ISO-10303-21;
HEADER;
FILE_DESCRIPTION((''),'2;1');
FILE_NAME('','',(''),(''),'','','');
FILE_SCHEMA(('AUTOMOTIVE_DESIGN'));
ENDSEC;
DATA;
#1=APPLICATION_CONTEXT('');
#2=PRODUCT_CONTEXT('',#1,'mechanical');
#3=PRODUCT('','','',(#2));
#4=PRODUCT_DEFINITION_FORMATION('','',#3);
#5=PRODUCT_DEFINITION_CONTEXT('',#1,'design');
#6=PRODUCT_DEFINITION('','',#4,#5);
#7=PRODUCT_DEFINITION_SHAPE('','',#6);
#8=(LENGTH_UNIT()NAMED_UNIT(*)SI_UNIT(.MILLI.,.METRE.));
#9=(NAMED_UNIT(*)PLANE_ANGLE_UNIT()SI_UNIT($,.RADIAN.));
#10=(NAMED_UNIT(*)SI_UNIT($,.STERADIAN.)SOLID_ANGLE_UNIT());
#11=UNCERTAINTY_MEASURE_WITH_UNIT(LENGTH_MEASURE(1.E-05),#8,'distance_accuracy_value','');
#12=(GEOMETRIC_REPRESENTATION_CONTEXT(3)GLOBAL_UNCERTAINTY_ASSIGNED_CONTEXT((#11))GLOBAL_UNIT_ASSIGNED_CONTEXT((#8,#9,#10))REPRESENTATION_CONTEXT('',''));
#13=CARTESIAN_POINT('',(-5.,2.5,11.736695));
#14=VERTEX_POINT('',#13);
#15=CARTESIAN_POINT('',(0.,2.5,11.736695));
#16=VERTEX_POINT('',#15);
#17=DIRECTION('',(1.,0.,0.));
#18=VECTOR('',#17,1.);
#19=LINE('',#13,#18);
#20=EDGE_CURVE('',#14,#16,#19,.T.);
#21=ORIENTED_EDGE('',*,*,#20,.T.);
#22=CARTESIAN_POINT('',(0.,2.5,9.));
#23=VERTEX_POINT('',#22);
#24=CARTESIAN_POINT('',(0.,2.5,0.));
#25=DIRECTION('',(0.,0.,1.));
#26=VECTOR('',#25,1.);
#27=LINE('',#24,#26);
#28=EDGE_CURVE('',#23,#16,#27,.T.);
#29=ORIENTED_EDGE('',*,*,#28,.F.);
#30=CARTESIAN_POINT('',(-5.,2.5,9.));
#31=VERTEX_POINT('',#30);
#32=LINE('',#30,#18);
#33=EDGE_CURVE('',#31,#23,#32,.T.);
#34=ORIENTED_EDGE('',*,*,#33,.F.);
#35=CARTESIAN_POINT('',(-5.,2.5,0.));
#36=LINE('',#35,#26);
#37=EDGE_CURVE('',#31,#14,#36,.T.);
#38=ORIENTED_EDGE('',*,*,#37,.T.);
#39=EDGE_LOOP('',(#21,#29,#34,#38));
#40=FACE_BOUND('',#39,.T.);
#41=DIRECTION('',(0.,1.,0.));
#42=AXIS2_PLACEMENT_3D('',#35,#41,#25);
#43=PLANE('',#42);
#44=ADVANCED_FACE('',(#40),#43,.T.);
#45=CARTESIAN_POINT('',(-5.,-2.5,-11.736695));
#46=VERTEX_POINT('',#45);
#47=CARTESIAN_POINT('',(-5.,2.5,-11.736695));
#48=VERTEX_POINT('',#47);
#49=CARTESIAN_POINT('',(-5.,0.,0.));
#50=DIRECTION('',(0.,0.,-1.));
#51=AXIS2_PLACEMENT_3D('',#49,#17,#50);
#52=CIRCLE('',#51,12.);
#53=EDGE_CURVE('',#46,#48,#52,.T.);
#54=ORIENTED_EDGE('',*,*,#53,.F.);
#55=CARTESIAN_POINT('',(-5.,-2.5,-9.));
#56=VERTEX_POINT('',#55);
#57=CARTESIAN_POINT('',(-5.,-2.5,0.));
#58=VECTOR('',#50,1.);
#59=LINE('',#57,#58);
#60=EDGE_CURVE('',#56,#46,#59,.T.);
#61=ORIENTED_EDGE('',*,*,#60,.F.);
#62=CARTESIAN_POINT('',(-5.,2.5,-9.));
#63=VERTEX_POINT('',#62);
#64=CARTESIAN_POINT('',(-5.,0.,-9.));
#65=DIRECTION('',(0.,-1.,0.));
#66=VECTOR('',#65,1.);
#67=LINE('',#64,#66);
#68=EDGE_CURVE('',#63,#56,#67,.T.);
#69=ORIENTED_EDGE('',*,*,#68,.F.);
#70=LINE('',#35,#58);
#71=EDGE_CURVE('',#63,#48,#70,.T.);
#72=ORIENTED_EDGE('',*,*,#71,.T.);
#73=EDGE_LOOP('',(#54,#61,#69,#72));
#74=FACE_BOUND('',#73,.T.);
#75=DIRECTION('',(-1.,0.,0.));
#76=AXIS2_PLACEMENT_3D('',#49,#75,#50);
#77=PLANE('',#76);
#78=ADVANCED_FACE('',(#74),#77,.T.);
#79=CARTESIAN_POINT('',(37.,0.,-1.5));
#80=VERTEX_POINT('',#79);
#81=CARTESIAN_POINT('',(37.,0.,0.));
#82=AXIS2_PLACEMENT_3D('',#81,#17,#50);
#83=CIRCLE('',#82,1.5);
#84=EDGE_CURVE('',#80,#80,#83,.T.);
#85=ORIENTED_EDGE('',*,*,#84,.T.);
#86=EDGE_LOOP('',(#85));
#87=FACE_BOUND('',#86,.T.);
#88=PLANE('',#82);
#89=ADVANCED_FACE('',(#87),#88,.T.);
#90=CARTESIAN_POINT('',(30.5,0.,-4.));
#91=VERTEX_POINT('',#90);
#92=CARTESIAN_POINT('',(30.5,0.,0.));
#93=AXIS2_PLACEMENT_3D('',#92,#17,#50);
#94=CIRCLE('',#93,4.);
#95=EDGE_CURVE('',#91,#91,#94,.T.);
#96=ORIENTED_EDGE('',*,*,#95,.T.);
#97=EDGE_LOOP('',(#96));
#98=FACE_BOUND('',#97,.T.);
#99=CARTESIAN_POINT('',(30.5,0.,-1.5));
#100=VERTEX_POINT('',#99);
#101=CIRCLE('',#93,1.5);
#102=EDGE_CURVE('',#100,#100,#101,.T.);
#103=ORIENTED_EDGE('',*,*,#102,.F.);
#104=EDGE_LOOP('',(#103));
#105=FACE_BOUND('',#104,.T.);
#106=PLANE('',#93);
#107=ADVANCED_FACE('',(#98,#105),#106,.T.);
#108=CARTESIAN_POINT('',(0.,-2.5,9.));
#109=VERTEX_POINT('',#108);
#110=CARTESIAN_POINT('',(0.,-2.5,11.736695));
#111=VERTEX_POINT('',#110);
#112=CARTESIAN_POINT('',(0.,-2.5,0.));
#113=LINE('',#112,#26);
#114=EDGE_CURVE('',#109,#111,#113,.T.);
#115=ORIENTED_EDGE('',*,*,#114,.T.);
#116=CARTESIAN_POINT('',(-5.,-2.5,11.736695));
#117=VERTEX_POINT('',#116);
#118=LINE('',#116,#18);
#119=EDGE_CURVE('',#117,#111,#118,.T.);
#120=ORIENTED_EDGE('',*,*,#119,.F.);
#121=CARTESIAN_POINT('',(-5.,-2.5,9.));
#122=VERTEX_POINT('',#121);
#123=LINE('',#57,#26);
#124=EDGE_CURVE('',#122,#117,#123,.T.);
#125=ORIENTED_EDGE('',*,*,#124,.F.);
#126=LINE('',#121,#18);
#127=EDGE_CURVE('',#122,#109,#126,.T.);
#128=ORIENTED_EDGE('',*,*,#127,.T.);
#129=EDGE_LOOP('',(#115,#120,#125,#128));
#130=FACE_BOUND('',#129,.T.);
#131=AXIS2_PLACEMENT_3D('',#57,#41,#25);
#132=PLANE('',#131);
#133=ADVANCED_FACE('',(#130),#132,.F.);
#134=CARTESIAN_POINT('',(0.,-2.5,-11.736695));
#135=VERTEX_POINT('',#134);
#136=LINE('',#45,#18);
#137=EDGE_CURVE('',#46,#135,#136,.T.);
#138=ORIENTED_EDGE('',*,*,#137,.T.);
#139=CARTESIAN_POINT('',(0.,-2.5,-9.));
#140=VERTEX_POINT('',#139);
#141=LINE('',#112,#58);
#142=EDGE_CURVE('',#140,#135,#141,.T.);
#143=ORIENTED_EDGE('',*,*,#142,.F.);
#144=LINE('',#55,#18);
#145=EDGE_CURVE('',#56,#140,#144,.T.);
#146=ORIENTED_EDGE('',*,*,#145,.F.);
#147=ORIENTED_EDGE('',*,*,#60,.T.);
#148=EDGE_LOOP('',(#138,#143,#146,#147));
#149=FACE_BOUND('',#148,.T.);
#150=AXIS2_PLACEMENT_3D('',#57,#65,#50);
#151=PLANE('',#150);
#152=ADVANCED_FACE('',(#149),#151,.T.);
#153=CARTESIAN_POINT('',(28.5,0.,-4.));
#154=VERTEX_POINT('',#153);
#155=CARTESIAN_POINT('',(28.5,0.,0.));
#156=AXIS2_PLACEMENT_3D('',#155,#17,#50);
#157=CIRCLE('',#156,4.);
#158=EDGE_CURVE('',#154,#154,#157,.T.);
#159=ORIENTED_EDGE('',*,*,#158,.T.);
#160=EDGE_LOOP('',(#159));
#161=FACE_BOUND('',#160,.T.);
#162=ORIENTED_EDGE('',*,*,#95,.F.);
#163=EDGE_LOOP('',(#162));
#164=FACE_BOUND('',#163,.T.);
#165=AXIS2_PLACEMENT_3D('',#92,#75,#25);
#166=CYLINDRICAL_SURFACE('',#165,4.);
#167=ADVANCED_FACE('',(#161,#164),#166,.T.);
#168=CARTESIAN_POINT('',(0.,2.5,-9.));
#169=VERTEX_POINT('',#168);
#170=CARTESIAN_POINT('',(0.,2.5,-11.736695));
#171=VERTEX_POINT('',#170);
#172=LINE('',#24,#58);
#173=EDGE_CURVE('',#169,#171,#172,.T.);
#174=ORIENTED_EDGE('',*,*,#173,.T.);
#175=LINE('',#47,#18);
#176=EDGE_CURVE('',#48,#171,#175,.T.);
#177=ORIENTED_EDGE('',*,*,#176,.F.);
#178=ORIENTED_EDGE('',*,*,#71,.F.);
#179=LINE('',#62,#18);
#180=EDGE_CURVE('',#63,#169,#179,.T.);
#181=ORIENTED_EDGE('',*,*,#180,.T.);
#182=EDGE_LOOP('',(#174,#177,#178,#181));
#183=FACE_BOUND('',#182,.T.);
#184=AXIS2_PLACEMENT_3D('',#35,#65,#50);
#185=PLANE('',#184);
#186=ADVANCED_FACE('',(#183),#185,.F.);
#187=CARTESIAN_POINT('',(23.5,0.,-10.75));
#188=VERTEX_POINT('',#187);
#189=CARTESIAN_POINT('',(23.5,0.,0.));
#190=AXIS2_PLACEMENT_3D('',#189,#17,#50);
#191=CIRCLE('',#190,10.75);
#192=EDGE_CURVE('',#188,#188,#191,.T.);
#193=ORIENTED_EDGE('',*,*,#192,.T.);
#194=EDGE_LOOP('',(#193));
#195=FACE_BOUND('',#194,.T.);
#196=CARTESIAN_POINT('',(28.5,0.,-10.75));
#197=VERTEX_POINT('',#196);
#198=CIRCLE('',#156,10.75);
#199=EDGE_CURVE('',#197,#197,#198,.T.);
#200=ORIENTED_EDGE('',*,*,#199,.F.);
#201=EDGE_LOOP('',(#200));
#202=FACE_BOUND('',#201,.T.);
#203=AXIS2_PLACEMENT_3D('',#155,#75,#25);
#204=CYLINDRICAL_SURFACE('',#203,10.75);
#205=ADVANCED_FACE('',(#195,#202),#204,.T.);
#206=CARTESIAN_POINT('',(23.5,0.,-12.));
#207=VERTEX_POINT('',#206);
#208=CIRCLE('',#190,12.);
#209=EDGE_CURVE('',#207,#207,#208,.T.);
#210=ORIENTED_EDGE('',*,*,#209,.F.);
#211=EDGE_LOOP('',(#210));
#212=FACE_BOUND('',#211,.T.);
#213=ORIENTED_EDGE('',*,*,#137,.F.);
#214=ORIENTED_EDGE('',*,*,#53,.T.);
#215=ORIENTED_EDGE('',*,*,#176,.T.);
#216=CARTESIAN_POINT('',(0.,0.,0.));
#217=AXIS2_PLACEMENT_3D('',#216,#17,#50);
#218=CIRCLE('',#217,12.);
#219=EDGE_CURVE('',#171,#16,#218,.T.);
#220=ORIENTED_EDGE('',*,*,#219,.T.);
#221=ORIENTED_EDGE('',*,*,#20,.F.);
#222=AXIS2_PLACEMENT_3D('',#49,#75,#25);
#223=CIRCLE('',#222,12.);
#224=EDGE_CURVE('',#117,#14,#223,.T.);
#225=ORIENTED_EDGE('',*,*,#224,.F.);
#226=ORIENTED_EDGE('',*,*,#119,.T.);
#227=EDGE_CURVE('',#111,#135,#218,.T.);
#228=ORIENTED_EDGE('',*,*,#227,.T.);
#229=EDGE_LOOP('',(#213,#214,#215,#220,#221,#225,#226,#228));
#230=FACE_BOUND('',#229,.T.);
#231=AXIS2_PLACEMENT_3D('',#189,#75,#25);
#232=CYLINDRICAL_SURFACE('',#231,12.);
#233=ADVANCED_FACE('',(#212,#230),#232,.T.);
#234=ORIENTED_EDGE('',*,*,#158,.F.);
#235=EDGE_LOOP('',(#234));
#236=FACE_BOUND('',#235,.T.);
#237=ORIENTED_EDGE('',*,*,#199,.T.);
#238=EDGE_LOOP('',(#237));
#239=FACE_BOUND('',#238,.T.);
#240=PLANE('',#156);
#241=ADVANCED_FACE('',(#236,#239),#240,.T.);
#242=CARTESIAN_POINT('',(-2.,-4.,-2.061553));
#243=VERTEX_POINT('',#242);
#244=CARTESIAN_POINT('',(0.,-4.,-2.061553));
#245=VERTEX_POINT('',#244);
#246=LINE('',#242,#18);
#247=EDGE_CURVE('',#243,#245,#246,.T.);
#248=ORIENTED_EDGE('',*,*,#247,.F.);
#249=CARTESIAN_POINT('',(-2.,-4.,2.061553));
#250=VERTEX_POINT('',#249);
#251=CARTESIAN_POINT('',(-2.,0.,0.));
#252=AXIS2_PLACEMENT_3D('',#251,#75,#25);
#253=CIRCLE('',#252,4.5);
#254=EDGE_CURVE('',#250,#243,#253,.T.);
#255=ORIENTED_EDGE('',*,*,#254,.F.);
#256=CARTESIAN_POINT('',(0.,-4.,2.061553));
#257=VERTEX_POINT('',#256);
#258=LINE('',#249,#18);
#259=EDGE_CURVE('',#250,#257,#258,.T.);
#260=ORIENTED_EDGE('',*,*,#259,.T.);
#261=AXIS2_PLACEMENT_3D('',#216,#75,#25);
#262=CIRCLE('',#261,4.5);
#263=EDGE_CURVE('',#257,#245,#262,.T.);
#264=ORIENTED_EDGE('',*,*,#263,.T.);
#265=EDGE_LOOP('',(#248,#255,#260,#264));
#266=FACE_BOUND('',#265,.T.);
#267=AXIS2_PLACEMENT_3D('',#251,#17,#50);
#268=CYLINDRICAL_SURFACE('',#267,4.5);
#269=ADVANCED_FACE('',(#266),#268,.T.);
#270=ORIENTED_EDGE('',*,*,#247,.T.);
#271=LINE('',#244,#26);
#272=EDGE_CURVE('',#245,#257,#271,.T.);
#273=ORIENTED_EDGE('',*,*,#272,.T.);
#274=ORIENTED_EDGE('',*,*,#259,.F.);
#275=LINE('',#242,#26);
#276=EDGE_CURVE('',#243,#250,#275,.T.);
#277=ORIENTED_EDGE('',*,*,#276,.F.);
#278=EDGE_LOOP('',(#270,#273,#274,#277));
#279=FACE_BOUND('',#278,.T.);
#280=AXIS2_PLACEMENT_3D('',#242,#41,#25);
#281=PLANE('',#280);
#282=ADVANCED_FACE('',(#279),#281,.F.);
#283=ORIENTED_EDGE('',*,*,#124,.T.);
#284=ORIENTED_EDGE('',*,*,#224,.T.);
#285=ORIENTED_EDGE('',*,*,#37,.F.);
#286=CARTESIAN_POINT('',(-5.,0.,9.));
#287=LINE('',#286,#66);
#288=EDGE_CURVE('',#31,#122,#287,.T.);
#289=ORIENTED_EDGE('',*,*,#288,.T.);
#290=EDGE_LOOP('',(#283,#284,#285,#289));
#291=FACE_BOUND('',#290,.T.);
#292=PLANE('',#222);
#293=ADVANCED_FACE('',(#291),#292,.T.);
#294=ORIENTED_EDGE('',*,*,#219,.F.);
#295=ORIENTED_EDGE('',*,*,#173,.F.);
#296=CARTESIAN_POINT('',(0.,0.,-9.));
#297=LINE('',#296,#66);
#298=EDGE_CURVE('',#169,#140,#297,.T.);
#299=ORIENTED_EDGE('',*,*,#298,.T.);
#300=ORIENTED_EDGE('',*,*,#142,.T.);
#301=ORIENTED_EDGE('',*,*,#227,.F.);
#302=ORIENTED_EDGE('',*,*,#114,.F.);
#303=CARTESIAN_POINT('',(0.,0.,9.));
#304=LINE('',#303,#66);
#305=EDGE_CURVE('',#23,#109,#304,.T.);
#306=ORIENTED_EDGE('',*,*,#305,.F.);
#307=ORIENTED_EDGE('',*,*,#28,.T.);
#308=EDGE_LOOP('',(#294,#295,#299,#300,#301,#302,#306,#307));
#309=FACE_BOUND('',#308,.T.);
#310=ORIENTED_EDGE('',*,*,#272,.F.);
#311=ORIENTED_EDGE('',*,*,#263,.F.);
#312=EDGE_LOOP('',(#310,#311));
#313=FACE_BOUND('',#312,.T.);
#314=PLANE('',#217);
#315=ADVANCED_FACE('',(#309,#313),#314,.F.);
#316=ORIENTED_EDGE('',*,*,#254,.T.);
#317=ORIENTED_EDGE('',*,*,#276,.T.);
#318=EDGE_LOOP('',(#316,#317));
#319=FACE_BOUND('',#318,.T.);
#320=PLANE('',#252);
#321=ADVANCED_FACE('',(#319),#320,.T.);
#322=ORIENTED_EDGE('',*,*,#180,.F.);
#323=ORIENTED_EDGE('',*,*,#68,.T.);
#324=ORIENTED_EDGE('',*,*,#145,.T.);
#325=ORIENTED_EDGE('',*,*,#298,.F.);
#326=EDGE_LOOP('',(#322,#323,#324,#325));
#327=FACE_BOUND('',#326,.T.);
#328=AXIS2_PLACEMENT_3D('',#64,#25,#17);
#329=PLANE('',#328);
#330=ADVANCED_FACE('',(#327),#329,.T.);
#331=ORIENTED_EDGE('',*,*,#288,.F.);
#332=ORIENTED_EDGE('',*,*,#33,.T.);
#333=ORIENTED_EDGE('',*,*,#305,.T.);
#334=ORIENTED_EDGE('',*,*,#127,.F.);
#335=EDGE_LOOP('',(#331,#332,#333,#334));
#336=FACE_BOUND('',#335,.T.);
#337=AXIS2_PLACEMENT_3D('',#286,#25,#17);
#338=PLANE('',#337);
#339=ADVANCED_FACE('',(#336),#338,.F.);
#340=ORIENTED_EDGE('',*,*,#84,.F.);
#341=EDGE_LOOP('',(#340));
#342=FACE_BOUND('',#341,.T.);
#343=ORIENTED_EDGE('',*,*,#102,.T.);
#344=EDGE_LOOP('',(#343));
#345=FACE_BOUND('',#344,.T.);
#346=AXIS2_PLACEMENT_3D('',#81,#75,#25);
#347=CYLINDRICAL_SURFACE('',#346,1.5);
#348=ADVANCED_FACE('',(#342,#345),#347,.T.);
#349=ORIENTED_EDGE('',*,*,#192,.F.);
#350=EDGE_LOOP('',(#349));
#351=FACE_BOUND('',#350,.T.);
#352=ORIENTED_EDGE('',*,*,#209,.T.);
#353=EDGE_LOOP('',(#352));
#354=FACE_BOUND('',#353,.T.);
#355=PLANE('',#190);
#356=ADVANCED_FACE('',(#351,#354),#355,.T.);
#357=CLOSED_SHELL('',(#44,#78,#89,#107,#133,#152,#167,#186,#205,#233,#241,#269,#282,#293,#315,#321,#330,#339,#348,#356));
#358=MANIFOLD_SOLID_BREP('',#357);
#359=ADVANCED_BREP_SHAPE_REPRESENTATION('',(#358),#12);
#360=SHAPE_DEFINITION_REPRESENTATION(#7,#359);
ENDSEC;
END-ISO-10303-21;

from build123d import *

# Parameters (mm, degrees)
SKETCH_1_R      = 12
EXTRUDE_1_DEPTH = 23.5
SKETCH_2_R      = 1.5
EXTRUDE_2_DEPTH = 13.5
SKETCH_3_R      = 10.75
EXTRUDE_3_DEPTH = 5
SKETCH_4_R      = 4
EXTRUDE_4_DEPTH = 2
EXTRUDE_5_DEPTH = 2
EXTRUDE_6_DEPTH = 5


with BuildPart() as part:
    # 草图1 → 凸台-拉伸1 (new body)
    with BuildSketch(Plane(origin=(0, 0, 0), x_dir=(0, 0, -1), z_dir=(1, 0, 0))):
        Circle(SKETCH_1_R)
    extrude(amount=EXTRUDE_1_DEPTH)

    # 草图2 → 凸台-拉伸2 (add)
    with BuildSketch(Plane(origin=(23.5, 0, 0), x_dir=(0, 0, -1), z_dir=(1, 0, 0))):
        Circle(SKETCH_2_R)
    extrude(amount=EXTRUDE_2_DEPTH)

    # 草图3 → 凸台-拉伸3 (add)
    with BuildSketch(Plane(origin=(23.5, 0, 0), x_dir=(0, 0, -1), z_dir=(1, 0, 0))):
        Circle(SKETCH_3_R)
    extrude(amount=EXTRUDE_3_DEPTH)

    # 草图4 → 凸台-拉伸4 (add)
    with BuildSketch(Plane(origin=(28.5, 0, 0), x_dir=(0, 0, -1), z_dir=(1, 0, 0))):
        Circle(SKETCH_4_R)
    extrude(amount=EXTRUDE_4_DEPTH)

    # 草图5 → 凸台-拉伸5 (add)
    with BuildSketch(Plane.ZY):
        with BuildLine():
            Line((-2.061552813, -4), (2.061552813, -4))
            ThreePointArc((2.061552813, -4), (0, 4.5), (-2.061552813, -4))
        make_face()
    extrude(amount=EXTRUDE_5_DEPTH)

    # 草图6 → 凸台-拉伸6 (add)
    with BuildSketch(Plane.ZY):
        with BuildLine():
            Line((11.736694594, 2.5), (9, 2.5))
            Line((9, 2.5), (9, -2.5))
            Line((9, -2.5), (11.736694594, -2.5))
            ThreePointArc((11.736694594, -2.5), (11.933992105, -1.256913853), (12, 0))
            ThreePointArc((12, 0), (11.933992105, 1.256913853), (11.736694594, 2.5))
        make_face()
    extrude_6 = extrude(amount=EXTRUDE_6_DEPTH)

    # 镜向1: 凸台-拉伸6 across plane
    add(extrude_6.mirror(Plane.XY))


solid = part.part
